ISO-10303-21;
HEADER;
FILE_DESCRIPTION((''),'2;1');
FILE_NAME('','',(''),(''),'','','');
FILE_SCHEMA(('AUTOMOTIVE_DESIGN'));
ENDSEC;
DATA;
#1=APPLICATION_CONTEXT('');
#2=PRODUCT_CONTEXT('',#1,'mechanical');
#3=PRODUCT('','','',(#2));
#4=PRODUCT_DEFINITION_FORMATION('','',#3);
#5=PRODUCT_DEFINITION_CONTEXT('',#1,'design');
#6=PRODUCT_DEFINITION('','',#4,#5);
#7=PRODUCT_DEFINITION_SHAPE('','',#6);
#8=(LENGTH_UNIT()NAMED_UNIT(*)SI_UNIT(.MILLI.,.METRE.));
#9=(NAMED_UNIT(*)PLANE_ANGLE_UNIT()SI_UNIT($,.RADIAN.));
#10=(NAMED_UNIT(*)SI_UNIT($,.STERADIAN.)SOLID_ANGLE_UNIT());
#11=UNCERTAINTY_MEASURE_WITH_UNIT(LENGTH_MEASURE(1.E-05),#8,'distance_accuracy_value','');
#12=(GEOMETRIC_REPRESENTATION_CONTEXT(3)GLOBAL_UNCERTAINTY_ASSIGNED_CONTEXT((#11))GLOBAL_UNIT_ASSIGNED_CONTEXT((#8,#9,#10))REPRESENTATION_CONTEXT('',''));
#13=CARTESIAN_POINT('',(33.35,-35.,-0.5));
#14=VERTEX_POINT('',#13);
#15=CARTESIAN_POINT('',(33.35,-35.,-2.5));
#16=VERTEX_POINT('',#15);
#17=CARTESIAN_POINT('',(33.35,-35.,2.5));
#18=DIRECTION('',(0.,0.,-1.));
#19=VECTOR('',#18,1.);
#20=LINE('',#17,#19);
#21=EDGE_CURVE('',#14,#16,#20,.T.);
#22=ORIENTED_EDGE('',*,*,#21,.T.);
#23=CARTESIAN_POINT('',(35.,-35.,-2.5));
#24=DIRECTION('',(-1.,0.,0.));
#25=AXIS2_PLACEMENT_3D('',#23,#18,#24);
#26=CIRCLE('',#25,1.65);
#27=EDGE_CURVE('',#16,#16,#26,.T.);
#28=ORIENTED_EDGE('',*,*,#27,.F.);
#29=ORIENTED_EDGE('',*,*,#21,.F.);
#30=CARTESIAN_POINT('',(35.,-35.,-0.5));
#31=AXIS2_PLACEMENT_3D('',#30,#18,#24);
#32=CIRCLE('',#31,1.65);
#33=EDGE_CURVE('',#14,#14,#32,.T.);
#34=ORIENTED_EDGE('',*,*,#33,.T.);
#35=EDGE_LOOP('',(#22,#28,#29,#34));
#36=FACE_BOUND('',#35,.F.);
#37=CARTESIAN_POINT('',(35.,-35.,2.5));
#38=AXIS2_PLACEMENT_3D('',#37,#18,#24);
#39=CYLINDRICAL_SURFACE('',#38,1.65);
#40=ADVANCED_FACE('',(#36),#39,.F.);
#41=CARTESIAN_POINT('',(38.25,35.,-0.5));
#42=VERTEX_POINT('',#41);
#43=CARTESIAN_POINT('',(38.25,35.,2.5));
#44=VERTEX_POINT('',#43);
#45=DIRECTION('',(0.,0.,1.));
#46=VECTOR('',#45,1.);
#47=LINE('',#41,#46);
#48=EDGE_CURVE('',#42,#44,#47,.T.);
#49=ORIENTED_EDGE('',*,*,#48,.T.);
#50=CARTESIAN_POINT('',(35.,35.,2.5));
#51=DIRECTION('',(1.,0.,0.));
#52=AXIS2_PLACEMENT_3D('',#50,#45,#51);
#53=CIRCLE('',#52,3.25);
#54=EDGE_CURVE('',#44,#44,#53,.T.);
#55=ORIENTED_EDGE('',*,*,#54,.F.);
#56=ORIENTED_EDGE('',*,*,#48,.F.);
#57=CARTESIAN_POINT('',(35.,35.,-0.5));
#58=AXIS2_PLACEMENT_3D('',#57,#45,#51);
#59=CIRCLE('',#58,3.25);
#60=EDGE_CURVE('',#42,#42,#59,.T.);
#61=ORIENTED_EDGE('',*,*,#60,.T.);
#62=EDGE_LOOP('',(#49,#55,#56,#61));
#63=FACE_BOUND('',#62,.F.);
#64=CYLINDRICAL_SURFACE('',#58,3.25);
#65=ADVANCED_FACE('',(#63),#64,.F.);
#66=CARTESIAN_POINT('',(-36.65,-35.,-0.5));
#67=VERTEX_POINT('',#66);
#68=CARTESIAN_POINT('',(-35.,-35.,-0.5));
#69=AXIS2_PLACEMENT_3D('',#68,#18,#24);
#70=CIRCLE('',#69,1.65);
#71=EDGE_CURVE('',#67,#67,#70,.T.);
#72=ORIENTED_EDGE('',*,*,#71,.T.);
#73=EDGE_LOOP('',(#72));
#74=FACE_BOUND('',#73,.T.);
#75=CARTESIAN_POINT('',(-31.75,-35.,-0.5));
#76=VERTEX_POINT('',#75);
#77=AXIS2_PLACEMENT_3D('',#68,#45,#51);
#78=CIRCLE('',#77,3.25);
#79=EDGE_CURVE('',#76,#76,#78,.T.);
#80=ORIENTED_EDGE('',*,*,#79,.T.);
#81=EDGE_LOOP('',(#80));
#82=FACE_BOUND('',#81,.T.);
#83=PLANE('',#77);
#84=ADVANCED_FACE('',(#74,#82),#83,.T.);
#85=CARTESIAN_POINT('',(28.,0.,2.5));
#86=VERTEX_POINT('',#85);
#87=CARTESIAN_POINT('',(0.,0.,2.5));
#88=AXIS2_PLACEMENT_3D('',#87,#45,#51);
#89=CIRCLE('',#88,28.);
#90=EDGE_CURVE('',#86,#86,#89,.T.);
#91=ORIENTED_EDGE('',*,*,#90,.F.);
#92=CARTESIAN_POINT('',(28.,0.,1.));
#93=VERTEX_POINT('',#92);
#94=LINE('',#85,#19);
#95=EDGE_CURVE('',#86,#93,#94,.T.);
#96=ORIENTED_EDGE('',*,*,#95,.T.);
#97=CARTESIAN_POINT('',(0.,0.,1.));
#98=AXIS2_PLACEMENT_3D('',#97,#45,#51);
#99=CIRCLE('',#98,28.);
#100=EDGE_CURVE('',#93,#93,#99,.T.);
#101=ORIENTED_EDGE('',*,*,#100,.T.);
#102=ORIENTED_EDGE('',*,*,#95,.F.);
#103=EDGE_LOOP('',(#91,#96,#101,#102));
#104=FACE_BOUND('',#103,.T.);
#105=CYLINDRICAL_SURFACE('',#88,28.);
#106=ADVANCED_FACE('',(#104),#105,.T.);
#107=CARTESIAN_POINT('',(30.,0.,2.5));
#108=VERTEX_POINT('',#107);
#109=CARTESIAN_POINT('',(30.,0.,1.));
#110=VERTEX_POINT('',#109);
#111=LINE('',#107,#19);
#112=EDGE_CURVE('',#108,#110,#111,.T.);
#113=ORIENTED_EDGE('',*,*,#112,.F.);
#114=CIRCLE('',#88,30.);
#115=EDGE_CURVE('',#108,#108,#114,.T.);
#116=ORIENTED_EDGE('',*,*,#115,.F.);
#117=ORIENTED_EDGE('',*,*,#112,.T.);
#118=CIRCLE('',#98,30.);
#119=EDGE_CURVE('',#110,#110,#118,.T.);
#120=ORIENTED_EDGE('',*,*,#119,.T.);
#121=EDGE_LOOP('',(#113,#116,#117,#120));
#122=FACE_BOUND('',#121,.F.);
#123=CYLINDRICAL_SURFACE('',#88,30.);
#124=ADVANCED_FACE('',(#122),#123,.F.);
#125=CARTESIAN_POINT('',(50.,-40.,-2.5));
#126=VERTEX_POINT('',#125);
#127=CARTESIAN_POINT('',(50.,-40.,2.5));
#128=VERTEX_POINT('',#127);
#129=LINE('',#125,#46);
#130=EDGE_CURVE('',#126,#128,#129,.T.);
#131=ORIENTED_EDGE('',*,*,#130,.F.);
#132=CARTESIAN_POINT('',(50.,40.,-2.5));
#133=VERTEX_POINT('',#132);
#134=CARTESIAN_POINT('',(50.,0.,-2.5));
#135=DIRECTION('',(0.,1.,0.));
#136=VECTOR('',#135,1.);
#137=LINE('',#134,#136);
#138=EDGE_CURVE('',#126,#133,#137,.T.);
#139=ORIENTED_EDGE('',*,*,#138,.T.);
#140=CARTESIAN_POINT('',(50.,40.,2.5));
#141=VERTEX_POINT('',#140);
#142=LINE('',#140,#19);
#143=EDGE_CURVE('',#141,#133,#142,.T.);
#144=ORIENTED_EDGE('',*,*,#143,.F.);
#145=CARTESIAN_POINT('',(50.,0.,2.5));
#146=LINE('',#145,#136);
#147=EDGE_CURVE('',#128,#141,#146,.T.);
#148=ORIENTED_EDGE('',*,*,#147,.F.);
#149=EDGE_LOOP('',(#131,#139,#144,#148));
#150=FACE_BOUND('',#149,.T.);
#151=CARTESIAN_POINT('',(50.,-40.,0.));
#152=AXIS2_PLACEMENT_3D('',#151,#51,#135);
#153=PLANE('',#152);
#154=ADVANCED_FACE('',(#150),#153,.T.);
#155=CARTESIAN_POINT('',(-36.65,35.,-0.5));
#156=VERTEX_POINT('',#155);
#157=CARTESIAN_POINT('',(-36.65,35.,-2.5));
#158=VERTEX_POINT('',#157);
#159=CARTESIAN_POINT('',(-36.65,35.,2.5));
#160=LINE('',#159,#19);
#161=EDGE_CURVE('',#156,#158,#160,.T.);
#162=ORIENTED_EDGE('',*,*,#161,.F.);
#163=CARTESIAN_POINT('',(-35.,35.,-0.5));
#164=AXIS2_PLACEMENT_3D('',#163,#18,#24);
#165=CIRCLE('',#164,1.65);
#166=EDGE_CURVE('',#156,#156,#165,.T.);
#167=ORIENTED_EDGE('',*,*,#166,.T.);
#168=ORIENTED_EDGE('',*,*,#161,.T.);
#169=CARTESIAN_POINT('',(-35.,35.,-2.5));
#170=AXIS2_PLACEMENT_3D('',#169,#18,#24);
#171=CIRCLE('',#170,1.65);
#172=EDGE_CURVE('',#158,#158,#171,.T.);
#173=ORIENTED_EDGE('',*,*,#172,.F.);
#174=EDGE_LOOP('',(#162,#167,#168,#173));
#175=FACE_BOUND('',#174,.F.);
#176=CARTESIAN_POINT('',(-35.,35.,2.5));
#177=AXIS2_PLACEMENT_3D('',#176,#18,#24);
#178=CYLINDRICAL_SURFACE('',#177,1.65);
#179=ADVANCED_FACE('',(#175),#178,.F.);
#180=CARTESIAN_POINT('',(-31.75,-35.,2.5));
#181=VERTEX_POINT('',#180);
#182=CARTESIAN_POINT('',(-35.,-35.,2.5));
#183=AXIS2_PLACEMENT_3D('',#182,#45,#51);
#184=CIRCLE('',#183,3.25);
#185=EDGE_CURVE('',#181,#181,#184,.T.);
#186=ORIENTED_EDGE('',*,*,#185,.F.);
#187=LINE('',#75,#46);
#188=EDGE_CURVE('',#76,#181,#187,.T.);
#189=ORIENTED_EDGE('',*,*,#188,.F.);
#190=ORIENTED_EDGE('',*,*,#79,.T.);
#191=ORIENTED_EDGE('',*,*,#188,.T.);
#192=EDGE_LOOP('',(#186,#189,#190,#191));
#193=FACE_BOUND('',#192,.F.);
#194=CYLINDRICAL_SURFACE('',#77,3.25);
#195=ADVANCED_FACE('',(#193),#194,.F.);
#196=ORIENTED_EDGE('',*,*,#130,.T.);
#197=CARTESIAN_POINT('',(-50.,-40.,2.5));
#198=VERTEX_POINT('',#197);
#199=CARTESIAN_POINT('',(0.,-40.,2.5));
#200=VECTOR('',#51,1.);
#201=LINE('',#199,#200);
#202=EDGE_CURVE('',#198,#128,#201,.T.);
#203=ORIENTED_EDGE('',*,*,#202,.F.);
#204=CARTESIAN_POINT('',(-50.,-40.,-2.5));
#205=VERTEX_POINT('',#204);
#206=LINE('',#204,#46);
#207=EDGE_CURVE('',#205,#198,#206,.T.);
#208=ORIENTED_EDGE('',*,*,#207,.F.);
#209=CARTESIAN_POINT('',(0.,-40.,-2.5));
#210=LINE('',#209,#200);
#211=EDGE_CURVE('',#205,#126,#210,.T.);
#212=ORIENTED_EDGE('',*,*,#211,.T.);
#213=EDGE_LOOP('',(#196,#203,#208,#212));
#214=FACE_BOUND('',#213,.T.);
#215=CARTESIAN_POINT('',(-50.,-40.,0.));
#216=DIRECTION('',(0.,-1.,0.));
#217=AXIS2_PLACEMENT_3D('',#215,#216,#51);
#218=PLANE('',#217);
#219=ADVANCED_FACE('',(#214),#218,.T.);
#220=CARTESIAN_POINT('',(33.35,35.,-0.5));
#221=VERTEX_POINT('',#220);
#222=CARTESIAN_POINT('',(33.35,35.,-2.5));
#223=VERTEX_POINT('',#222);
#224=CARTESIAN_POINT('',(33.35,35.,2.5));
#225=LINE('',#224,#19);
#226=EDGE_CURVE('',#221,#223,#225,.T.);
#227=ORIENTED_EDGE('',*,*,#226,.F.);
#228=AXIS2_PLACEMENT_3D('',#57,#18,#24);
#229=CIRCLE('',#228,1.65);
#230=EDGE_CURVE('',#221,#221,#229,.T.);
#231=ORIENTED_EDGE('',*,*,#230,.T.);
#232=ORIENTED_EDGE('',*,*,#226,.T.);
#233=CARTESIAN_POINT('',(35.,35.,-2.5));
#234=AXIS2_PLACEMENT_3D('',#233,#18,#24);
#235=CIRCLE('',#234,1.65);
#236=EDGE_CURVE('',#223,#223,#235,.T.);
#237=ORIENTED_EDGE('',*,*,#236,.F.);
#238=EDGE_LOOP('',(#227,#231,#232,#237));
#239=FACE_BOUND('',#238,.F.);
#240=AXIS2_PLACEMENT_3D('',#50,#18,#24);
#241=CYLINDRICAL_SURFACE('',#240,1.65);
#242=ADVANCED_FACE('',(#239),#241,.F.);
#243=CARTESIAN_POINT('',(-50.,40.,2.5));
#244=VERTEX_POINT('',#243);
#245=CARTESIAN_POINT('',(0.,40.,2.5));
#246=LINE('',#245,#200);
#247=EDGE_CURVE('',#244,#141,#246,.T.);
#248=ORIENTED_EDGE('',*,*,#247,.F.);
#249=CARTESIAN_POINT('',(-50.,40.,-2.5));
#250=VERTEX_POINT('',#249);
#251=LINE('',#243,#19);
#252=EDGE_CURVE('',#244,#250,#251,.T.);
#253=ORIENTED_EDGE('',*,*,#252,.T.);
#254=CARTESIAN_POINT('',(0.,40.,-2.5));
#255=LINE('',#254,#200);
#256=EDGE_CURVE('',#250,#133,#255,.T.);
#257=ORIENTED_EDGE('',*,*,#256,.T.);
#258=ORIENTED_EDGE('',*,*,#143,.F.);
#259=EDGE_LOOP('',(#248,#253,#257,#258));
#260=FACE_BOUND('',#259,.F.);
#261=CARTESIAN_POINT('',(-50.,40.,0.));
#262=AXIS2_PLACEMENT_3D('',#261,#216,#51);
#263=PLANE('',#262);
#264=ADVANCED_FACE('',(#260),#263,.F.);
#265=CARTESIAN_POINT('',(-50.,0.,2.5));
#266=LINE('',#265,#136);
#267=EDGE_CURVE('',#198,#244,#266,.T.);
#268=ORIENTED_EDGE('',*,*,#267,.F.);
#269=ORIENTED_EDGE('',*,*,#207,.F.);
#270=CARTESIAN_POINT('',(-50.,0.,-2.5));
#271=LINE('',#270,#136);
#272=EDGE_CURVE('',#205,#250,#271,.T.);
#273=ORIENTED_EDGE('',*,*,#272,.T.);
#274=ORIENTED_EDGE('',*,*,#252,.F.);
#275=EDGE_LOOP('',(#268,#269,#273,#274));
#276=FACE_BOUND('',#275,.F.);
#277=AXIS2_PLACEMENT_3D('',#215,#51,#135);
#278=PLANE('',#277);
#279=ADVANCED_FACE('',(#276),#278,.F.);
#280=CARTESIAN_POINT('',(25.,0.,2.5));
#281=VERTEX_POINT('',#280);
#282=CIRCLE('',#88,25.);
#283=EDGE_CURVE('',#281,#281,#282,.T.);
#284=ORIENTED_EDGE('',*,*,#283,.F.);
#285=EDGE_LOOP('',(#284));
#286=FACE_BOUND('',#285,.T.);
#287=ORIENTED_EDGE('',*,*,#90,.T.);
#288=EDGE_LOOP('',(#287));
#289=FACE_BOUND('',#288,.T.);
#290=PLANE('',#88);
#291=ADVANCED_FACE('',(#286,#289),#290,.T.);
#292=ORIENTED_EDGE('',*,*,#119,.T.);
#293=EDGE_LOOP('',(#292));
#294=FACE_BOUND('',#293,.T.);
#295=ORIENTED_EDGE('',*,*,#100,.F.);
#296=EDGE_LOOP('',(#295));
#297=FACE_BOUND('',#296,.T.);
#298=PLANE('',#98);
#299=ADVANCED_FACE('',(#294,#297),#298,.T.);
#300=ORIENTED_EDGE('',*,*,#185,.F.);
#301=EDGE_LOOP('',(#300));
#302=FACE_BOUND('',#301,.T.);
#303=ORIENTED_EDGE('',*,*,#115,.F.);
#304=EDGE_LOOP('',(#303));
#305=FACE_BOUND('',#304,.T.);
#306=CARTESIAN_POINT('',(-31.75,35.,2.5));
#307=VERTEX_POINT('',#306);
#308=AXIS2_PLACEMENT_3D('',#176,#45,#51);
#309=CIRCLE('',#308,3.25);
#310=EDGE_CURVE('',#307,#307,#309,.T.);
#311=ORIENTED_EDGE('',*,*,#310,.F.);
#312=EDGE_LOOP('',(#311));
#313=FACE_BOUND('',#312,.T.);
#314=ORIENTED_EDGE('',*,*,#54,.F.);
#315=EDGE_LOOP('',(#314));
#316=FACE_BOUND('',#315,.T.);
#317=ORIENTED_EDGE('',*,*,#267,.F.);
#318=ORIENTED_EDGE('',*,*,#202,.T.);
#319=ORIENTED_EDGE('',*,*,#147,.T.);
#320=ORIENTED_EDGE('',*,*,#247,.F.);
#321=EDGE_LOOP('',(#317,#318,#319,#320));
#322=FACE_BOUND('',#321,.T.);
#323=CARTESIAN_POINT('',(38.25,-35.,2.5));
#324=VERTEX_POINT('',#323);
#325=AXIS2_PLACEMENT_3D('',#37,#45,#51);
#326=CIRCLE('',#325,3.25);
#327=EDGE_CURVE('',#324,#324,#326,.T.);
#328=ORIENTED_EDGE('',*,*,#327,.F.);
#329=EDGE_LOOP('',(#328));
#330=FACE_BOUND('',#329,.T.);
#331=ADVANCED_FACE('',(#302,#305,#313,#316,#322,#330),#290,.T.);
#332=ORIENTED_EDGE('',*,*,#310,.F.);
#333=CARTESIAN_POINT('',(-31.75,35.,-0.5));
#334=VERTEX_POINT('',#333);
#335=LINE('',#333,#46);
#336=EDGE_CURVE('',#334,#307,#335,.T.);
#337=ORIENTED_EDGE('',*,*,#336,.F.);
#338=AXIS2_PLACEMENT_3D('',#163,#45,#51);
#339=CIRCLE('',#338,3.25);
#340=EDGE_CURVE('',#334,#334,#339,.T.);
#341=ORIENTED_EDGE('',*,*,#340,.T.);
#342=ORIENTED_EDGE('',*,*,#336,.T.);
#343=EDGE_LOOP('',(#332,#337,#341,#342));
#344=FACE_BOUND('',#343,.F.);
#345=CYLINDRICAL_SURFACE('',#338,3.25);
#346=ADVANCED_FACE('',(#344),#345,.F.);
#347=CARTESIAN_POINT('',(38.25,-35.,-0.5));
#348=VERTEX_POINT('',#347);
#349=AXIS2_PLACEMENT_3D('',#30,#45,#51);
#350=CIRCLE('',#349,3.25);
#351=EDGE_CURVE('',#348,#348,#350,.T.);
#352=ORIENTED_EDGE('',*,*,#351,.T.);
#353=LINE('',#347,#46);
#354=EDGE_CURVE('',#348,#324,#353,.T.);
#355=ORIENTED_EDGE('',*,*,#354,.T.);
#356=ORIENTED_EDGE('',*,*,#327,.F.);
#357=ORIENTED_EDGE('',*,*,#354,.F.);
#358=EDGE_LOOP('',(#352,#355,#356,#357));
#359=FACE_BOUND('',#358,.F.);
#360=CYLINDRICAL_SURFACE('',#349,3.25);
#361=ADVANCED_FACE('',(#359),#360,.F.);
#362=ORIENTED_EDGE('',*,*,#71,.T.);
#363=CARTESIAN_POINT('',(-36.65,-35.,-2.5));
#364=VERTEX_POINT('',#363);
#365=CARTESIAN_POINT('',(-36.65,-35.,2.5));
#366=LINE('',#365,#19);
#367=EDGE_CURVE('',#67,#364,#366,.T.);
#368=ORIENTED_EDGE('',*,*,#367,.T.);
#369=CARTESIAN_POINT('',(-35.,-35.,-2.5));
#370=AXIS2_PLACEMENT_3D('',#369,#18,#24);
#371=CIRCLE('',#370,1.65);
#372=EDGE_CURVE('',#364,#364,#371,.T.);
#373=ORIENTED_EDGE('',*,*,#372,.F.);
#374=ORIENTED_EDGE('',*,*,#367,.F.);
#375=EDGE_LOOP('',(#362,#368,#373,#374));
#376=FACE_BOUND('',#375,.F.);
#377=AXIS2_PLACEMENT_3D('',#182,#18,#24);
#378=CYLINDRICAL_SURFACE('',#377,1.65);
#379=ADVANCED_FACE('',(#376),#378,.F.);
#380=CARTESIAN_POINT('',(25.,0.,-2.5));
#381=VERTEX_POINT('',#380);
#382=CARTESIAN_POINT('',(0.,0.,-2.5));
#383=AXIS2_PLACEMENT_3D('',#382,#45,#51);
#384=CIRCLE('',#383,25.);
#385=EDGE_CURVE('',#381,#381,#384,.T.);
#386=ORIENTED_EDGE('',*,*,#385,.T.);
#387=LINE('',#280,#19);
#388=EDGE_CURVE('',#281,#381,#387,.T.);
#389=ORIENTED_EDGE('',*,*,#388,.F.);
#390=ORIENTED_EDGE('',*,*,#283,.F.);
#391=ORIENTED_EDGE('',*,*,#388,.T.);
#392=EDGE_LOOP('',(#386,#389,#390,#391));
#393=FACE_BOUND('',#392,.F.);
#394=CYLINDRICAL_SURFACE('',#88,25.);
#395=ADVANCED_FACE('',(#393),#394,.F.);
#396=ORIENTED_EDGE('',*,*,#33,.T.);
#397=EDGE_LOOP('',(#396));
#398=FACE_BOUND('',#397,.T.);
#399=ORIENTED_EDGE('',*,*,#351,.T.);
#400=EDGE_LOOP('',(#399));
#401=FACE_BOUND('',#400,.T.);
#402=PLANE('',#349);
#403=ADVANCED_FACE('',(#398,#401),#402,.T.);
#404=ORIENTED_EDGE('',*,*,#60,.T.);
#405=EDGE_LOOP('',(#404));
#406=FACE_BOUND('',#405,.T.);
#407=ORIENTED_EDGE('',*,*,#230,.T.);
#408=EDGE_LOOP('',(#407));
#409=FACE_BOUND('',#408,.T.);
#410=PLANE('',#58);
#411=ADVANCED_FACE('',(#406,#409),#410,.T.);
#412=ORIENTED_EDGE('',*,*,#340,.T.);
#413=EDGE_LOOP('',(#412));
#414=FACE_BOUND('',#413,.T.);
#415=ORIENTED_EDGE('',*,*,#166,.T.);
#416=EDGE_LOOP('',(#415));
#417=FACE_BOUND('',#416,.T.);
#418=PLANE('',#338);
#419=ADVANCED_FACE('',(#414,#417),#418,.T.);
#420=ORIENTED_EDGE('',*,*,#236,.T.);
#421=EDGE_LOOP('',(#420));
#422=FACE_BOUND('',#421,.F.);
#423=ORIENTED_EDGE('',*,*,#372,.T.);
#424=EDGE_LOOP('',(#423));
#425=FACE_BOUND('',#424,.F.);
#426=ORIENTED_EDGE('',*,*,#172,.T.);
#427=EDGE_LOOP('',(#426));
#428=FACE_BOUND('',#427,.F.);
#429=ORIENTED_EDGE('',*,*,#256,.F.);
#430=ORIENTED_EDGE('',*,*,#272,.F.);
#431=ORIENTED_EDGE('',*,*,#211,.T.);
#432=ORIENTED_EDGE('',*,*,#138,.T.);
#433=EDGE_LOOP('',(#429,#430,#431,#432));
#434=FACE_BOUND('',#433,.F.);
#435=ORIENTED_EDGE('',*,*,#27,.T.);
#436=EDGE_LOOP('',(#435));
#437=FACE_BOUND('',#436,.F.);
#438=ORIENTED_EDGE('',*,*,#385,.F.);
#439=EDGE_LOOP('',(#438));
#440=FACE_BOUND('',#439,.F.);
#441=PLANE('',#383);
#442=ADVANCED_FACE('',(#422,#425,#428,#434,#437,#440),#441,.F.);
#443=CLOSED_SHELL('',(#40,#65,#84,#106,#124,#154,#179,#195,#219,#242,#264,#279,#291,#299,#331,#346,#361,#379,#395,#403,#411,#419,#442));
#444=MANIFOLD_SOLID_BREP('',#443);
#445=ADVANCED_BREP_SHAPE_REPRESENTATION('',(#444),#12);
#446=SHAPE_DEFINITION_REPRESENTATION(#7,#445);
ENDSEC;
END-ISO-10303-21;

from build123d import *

# Parameters (mm, degrees)
F0_W           = 100
F0_H           = 80
F1_DEPTH       = 2.5
F2_R           = 25
F3_DEPTH       = 5
F4_R           = 30
F4_R_2         = 28
F5_DEPTH       = 1.5
F7_D           = 3.3
F7_CBORE_D     = 6.5
F7_CBORE_DEPTH = 3


with BuildPart() as f1:
    # F0 (on Top) → F1 (new body, symmetric)
    with BuildSketch(Plane.XY):
        Rectangle(F0_W, F0_H)
    extrude(amount=F1_DEPTH, both=True)

    # F2 (on face) → F3 (cut, through all)
    with BuildSketch(Plane.XY.offset(2.5)):
        Circle(F2_R)
    extrude(amount=-F3_DEPTH, mode=Mode.SUBTRACT)

    # F4 (on face) → F5 (cut)
    with BuildSketch(Plane.XY.offset(2.5)):
        Circle(F4_R)
        Circle(F4_R_2, mode=Mode.SUBTRACT)
    extrude(amount=-F5_DEPTH, mode=Mode.SUBTRACT)

    # F7 (through all)
    with Locations(Plane.XY.offset(2.5)):
        with Locations((-35, 35), (35, 35), (35, -35), (-35, -35)):
            CounterBoreHole(F7_D / 2, F7_CBORE_D / 2, F7_CBORE_DEPTH)


solid = f1.part
